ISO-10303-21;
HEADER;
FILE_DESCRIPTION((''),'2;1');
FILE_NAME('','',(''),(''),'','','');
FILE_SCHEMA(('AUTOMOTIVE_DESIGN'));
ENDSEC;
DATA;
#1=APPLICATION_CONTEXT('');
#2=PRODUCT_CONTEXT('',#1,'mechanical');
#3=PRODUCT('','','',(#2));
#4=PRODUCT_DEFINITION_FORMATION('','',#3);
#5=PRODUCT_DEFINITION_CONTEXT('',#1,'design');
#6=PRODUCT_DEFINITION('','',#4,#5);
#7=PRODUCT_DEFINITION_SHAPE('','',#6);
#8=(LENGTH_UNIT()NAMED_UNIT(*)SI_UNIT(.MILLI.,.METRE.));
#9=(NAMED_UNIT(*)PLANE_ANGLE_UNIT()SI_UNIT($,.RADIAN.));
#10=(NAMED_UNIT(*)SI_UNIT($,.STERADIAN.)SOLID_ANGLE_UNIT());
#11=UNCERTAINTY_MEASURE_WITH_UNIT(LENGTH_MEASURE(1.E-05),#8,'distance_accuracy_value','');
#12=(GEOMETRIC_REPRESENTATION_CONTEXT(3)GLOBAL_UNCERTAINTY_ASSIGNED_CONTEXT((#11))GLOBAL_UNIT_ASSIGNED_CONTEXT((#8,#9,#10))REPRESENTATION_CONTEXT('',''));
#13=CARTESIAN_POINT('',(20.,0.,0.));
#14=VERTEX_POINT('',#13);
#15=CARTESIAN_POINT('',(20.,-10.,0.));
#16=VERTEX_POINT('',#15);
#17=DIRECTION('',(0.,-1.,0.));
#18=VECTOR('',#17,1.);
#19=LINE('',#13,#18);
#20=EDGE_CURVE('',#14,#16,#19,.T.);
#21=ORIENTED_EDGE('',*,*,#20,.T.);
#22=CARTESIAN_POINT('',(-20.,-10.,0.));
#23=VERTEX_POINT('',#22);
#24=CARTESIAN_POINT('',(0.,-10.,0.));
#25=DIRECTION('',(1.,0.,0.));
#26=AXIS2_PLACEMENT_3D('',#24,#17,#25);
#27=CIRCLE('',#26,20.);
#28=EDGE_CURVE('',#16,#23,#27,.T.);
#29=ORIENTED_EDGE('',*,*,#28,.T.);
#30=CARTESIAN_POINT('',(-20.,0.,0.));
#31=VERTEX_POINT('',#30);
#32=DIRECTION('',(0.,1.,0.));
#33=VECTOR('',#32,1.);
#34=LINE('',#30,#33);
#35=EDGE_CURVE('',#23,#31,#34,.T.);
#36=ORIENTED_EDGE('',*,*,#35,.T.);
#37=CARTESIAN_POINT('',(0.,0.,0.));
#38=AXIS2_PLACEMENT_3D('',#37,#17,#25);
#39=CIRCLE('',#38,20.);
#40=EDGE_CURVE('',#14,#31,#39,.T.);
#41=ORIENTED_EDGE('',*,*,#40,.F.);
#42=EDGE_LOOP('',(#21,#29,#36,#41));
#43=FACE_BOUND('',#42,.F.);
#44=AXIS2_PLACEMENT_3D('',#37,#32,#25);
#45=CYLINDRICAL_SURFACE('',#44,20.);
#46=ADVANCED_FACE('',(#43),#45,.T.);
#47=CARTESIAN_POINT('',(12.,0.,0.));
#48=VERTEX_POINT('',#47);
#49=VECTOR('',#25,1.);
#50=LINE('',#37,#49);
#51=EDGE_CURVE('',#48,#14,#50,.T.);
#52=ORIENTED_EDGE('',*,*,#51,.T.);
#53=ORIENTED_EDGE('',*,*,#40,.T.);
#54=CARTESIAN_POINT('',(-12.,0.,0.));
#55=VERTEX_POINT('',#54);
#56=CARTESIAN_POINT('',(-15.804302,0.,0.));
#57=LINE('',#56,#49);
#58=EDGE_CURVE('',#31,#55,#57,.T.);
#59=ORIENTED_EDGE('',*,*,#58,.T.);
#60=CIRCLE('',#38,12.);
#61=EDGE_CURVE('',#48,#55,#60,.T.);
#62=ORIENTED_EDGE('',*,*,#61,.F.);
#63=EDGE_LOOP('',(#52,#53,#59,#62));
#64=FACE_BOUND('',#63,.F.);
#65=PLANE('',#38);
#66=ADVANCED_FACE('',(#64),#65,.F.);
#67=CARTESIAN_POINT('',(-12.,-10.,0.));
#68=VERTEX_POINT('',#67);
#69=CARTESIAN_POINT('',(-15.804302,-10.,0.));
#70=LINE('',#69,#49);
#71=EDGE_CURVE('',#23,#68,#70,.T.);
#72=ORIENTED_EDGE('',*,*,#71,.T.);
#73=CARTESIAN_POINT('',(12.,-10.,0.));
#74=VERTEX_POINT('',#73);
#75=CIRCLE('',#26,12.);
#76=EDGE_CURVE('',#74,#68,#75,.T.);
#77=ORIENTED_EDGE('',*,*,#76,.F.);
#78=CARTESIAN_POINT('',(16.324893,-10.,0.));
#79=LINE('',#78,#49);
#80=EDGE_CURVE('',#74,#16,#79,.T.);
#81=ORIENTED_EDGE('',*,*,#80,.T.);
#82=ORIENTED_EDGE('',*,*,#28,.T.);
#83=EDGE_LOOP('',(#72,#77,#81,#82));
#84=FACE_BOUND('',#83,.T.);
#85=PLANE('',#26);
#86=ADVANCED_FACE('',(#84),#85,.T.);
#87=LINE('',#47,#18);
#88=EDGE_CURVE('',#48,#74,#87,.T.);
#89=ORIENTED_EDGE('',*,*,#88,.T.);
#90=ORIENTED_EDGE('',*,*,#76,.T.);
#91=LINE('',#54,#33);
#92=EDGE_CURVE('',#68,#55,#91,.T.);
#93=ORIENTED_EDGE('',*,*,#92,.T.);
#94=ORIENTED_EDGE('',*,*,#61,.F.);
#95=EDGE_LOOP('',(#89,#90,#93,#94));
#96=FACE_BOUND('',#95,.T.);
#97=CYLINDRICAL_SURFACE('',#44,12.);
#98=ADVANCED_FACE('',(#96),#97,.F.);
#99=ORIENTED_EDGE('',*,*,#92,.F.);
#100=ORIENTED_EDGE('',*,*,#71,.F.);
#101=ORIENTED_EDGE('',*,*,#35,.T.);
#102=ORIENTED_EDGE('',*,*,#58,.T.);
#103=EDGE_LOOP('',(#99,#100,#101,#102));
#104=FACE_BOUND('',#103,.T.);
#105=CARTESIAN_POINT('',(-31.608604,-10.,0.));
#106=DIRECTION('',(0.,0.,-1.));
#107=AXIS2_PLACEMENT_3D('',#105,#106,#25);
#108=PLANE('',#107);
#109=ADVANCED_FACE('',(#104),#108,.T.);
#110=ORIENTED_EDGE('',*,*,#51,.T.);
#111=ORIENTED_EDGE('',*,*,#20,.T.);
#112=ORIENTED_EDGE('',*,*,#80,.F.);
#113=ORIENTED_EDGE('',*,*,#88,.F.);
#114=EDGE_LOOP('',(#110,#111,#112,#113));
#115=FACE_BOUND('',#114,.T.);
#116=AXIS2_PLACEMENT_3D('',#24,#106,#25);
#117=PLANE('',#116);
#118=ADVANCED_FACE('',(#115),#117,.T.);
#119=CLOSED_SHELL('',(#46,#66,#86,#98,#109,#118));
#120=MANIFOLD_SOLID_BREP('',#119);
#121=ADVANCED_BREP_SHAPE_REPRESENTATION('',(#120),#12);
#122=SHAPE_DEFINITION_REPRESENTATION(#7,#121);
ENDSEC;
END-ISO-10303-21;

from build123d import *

# Parameters (mm, degrees)
F0_R     = 20
F0_R_2   = 12
F1_DEPTH = 10
F2_W     = 31.608604
F2_H     = 31.133
F2_W_2   = 32.649785
F3_DEPTH = 25


with BuildPart() as f1:
    # F0 (on Front) → F1 (new body)
    with BuildSketch(Plane.XZ):
        Circle(F0_R)
        Circle(F0_R_2, mode=Mode.SUBTRACT)
    extrude(amount=F1_DEPTH)

    # F2 (on face) → F3 (cut)
    with BuildSketch(Plane.XZ.offset(10)):
        with Locations((-15.804302, -15.5665)):
            Rectangle(F2_W, F2_H)
        with Locations((16.324893, -15.5665)):
            Rectangle(F2_W_2, F2_H)
    extrude(amount=-F3_DEPTH, mode=Mode.SUBTRACT)


solid = f1.part
